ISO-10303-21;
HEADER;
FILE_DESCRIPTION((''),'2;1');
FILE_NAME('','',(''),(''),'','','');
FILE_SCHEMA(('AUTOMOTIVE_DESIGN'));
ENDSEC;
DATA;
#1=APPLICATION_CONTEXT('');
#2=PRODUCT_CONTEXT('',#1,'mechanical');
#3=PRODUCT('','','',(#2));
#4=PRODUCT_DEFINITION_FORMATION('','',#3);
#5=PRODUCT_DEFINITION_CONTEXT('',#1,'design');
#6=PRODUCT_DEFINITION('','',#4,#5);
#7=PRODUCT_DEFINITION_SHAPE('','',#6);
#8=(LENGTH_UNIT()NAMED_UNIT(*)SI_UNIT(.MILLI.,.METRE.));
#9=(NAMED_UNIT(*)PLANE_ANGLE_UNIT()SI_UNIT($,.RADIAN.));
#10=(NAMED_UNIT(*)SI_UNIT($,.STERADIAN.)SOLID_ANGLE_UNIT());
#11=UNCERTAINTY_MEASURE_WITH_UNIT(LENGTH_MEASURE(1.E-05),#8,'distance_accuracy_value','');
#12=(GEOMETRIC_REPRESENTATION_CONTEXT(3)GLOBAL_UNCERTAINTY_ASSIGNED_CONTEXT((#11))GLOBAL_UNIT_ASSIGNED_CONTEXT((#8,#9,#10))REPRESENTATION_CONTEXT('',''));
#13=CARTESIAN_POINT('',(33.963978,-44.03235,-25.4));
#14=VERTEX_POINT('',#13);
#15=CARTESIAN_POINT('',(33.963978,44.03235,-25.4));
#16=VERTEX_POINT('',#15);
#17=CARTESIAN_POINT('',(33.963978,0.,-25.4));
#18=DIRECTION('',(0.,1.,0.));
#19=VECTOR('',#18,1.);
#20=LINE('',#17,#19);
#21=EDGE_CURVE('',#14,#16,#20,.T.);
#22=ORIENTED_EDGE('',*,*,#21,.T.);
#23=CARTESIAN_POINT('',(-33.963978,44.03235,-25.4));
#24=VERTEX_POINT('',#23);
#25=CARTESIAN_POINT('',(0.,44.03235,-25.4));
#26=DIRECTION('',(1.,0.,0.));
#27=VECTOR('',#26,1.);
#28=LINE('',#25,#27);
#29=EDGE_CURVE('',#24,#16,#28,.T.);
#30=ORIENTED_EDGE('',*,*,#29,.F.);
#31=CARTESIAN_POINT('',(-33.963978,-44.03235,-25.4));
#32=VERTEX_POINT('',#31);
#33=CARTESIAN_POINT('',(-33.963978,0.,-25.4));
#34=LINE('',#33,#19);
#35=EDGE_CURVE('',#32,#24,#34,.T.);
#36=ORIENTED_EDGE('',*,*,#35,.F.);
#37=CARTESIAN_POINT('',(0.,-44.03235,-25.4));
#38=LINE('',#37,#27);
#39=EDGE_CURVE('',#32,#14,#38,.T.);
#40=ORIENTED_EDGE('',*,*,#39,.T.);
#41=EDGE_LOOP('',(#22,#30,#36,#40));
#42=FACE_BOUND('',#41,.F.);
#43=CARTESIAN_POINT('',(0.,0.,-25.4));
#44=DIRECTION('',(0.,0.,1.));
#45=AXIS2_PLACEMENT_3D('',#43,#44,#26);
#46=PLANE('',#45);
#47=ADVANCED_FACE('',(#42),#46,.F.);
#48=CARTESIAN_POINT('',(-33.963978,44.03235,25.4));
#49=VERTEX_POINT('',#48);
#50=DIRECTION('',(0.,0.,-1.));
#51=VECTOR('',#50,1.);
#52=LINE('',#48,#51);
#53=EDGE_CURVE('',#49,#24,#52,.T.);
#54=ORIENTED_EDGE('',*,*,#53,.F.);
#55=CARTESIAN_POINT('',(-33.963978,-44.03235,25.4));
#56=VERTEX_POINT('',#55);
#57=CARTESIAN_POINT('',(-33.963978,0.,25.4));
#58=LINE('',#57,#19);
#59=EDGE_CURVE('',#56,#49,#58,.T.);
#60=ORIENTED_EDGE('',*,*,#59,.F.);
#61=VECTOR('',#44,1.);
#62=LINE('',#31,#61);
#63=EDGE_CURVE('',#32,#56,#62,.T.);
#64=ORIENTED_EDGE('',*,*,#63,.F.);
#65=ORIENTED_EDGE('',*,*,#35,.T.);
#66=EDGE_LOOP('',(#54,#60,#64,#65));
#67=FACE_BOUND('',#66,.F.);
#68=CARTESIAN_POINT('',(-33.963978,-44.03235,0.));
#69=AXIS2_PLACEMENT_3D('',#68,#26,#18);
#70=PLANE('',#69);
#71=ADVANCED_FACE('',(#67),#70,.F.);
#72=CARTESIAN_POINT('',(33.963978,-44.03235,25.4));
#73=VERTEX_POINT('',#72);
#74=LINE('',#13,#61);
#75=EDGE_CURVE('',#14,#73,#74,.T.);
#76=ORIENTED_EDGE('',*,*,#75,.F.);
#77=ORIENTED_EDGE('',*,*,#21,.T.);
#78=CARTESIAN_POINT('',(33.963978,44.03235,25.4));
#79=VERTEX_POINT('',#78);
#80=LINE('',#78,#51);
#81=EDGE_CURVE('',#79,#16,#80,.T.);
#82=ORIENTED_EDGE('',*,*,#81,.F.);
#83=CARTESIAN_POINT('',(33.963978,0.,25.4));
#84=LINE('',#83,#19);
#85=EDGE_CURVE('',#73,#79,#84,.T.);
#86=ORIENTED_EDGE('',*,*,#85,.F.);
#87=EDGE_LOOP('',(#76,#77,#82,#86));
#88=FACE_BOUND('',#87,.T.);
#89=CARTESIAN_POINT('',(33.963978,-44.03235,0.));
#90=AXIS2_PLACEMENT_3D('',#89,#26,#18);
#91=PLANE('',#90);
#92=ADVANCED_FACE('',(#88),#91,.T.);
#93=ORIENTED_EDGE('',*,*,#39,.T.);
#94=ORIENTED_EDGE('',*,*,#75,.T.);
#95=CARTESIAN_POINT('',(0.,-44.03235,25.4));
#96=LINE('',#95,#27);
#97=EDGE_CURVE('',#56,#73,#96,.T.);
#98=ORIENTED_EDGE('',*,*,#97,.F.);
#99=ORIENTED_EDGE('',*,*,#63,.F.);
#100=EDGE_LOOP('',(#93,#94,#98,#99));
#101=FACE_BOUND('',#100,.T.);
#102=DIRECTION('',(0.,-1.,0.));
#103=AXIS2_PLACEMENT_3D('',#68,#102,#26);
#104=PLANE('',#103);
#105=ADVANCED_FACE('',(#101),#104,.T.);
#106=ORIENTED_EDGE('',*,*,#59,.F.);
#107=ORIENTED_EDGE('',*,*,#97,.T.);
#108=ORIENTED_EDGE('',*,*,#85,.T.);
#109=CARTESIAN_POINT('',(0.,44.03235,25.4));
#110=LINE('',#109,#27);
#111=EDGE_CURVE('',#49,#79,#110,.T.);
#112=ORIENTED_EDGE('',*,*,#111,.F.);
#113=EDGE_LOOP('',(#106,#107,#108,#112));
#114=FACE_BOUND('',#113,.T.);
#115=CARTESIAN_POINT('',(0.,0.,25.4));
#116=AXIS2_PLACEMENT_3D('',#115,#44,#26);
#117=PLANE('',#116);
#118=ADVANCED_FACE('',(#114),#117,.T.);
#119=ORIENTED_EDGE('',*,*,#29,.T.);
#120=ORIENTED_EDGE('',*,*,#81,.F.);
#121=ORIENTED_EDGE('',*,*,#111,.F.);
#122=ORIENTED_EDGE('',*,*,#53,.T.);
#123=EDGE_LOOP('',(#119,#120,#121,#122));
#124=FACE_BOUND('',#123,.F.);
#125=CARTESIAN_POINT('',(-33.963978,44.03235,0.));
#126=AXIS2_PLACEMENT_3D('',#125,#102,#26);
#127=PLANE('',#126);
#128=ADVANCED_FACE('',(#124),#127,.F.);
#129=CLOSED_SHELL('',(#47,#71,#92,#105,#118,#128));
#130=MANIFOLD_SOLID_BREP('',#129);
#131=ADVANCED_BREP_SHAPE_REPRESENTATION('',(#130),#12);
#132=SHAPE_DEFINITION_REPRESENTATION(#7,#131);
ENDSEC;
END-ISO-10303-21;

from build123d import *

# Parameters (mm, degrees)
F0_W     = 67.9279565811
F0_H     = 88.0647003651
F1_DEPTH = 25.4
F2_DEPTH = 25.4
F3_DEPTH = 25.4


with BuildPart() as f1:
    # F0 (on Top) → F1 (new body)
    with BuildSketch(Plane.XY):
        Rectangle(F0_W, F0_H)
    extrude(amount=F1_DEPTH)

    # F2 (add): a face of the model
    f2_faces = [f1.faces().sort_by_distance(p)[0] for p in [
        (0, 0, 0),
    ]]
    extrude(f2_faces, amount=F2_DEPTH)

    # F0 (on Top) → F3 (join)
    with BuildSketch(Plane.XY):
        Rectangle(F0_W, F0_H)
    extrude(amount=F3_DEPTH)


solid = f1.part
